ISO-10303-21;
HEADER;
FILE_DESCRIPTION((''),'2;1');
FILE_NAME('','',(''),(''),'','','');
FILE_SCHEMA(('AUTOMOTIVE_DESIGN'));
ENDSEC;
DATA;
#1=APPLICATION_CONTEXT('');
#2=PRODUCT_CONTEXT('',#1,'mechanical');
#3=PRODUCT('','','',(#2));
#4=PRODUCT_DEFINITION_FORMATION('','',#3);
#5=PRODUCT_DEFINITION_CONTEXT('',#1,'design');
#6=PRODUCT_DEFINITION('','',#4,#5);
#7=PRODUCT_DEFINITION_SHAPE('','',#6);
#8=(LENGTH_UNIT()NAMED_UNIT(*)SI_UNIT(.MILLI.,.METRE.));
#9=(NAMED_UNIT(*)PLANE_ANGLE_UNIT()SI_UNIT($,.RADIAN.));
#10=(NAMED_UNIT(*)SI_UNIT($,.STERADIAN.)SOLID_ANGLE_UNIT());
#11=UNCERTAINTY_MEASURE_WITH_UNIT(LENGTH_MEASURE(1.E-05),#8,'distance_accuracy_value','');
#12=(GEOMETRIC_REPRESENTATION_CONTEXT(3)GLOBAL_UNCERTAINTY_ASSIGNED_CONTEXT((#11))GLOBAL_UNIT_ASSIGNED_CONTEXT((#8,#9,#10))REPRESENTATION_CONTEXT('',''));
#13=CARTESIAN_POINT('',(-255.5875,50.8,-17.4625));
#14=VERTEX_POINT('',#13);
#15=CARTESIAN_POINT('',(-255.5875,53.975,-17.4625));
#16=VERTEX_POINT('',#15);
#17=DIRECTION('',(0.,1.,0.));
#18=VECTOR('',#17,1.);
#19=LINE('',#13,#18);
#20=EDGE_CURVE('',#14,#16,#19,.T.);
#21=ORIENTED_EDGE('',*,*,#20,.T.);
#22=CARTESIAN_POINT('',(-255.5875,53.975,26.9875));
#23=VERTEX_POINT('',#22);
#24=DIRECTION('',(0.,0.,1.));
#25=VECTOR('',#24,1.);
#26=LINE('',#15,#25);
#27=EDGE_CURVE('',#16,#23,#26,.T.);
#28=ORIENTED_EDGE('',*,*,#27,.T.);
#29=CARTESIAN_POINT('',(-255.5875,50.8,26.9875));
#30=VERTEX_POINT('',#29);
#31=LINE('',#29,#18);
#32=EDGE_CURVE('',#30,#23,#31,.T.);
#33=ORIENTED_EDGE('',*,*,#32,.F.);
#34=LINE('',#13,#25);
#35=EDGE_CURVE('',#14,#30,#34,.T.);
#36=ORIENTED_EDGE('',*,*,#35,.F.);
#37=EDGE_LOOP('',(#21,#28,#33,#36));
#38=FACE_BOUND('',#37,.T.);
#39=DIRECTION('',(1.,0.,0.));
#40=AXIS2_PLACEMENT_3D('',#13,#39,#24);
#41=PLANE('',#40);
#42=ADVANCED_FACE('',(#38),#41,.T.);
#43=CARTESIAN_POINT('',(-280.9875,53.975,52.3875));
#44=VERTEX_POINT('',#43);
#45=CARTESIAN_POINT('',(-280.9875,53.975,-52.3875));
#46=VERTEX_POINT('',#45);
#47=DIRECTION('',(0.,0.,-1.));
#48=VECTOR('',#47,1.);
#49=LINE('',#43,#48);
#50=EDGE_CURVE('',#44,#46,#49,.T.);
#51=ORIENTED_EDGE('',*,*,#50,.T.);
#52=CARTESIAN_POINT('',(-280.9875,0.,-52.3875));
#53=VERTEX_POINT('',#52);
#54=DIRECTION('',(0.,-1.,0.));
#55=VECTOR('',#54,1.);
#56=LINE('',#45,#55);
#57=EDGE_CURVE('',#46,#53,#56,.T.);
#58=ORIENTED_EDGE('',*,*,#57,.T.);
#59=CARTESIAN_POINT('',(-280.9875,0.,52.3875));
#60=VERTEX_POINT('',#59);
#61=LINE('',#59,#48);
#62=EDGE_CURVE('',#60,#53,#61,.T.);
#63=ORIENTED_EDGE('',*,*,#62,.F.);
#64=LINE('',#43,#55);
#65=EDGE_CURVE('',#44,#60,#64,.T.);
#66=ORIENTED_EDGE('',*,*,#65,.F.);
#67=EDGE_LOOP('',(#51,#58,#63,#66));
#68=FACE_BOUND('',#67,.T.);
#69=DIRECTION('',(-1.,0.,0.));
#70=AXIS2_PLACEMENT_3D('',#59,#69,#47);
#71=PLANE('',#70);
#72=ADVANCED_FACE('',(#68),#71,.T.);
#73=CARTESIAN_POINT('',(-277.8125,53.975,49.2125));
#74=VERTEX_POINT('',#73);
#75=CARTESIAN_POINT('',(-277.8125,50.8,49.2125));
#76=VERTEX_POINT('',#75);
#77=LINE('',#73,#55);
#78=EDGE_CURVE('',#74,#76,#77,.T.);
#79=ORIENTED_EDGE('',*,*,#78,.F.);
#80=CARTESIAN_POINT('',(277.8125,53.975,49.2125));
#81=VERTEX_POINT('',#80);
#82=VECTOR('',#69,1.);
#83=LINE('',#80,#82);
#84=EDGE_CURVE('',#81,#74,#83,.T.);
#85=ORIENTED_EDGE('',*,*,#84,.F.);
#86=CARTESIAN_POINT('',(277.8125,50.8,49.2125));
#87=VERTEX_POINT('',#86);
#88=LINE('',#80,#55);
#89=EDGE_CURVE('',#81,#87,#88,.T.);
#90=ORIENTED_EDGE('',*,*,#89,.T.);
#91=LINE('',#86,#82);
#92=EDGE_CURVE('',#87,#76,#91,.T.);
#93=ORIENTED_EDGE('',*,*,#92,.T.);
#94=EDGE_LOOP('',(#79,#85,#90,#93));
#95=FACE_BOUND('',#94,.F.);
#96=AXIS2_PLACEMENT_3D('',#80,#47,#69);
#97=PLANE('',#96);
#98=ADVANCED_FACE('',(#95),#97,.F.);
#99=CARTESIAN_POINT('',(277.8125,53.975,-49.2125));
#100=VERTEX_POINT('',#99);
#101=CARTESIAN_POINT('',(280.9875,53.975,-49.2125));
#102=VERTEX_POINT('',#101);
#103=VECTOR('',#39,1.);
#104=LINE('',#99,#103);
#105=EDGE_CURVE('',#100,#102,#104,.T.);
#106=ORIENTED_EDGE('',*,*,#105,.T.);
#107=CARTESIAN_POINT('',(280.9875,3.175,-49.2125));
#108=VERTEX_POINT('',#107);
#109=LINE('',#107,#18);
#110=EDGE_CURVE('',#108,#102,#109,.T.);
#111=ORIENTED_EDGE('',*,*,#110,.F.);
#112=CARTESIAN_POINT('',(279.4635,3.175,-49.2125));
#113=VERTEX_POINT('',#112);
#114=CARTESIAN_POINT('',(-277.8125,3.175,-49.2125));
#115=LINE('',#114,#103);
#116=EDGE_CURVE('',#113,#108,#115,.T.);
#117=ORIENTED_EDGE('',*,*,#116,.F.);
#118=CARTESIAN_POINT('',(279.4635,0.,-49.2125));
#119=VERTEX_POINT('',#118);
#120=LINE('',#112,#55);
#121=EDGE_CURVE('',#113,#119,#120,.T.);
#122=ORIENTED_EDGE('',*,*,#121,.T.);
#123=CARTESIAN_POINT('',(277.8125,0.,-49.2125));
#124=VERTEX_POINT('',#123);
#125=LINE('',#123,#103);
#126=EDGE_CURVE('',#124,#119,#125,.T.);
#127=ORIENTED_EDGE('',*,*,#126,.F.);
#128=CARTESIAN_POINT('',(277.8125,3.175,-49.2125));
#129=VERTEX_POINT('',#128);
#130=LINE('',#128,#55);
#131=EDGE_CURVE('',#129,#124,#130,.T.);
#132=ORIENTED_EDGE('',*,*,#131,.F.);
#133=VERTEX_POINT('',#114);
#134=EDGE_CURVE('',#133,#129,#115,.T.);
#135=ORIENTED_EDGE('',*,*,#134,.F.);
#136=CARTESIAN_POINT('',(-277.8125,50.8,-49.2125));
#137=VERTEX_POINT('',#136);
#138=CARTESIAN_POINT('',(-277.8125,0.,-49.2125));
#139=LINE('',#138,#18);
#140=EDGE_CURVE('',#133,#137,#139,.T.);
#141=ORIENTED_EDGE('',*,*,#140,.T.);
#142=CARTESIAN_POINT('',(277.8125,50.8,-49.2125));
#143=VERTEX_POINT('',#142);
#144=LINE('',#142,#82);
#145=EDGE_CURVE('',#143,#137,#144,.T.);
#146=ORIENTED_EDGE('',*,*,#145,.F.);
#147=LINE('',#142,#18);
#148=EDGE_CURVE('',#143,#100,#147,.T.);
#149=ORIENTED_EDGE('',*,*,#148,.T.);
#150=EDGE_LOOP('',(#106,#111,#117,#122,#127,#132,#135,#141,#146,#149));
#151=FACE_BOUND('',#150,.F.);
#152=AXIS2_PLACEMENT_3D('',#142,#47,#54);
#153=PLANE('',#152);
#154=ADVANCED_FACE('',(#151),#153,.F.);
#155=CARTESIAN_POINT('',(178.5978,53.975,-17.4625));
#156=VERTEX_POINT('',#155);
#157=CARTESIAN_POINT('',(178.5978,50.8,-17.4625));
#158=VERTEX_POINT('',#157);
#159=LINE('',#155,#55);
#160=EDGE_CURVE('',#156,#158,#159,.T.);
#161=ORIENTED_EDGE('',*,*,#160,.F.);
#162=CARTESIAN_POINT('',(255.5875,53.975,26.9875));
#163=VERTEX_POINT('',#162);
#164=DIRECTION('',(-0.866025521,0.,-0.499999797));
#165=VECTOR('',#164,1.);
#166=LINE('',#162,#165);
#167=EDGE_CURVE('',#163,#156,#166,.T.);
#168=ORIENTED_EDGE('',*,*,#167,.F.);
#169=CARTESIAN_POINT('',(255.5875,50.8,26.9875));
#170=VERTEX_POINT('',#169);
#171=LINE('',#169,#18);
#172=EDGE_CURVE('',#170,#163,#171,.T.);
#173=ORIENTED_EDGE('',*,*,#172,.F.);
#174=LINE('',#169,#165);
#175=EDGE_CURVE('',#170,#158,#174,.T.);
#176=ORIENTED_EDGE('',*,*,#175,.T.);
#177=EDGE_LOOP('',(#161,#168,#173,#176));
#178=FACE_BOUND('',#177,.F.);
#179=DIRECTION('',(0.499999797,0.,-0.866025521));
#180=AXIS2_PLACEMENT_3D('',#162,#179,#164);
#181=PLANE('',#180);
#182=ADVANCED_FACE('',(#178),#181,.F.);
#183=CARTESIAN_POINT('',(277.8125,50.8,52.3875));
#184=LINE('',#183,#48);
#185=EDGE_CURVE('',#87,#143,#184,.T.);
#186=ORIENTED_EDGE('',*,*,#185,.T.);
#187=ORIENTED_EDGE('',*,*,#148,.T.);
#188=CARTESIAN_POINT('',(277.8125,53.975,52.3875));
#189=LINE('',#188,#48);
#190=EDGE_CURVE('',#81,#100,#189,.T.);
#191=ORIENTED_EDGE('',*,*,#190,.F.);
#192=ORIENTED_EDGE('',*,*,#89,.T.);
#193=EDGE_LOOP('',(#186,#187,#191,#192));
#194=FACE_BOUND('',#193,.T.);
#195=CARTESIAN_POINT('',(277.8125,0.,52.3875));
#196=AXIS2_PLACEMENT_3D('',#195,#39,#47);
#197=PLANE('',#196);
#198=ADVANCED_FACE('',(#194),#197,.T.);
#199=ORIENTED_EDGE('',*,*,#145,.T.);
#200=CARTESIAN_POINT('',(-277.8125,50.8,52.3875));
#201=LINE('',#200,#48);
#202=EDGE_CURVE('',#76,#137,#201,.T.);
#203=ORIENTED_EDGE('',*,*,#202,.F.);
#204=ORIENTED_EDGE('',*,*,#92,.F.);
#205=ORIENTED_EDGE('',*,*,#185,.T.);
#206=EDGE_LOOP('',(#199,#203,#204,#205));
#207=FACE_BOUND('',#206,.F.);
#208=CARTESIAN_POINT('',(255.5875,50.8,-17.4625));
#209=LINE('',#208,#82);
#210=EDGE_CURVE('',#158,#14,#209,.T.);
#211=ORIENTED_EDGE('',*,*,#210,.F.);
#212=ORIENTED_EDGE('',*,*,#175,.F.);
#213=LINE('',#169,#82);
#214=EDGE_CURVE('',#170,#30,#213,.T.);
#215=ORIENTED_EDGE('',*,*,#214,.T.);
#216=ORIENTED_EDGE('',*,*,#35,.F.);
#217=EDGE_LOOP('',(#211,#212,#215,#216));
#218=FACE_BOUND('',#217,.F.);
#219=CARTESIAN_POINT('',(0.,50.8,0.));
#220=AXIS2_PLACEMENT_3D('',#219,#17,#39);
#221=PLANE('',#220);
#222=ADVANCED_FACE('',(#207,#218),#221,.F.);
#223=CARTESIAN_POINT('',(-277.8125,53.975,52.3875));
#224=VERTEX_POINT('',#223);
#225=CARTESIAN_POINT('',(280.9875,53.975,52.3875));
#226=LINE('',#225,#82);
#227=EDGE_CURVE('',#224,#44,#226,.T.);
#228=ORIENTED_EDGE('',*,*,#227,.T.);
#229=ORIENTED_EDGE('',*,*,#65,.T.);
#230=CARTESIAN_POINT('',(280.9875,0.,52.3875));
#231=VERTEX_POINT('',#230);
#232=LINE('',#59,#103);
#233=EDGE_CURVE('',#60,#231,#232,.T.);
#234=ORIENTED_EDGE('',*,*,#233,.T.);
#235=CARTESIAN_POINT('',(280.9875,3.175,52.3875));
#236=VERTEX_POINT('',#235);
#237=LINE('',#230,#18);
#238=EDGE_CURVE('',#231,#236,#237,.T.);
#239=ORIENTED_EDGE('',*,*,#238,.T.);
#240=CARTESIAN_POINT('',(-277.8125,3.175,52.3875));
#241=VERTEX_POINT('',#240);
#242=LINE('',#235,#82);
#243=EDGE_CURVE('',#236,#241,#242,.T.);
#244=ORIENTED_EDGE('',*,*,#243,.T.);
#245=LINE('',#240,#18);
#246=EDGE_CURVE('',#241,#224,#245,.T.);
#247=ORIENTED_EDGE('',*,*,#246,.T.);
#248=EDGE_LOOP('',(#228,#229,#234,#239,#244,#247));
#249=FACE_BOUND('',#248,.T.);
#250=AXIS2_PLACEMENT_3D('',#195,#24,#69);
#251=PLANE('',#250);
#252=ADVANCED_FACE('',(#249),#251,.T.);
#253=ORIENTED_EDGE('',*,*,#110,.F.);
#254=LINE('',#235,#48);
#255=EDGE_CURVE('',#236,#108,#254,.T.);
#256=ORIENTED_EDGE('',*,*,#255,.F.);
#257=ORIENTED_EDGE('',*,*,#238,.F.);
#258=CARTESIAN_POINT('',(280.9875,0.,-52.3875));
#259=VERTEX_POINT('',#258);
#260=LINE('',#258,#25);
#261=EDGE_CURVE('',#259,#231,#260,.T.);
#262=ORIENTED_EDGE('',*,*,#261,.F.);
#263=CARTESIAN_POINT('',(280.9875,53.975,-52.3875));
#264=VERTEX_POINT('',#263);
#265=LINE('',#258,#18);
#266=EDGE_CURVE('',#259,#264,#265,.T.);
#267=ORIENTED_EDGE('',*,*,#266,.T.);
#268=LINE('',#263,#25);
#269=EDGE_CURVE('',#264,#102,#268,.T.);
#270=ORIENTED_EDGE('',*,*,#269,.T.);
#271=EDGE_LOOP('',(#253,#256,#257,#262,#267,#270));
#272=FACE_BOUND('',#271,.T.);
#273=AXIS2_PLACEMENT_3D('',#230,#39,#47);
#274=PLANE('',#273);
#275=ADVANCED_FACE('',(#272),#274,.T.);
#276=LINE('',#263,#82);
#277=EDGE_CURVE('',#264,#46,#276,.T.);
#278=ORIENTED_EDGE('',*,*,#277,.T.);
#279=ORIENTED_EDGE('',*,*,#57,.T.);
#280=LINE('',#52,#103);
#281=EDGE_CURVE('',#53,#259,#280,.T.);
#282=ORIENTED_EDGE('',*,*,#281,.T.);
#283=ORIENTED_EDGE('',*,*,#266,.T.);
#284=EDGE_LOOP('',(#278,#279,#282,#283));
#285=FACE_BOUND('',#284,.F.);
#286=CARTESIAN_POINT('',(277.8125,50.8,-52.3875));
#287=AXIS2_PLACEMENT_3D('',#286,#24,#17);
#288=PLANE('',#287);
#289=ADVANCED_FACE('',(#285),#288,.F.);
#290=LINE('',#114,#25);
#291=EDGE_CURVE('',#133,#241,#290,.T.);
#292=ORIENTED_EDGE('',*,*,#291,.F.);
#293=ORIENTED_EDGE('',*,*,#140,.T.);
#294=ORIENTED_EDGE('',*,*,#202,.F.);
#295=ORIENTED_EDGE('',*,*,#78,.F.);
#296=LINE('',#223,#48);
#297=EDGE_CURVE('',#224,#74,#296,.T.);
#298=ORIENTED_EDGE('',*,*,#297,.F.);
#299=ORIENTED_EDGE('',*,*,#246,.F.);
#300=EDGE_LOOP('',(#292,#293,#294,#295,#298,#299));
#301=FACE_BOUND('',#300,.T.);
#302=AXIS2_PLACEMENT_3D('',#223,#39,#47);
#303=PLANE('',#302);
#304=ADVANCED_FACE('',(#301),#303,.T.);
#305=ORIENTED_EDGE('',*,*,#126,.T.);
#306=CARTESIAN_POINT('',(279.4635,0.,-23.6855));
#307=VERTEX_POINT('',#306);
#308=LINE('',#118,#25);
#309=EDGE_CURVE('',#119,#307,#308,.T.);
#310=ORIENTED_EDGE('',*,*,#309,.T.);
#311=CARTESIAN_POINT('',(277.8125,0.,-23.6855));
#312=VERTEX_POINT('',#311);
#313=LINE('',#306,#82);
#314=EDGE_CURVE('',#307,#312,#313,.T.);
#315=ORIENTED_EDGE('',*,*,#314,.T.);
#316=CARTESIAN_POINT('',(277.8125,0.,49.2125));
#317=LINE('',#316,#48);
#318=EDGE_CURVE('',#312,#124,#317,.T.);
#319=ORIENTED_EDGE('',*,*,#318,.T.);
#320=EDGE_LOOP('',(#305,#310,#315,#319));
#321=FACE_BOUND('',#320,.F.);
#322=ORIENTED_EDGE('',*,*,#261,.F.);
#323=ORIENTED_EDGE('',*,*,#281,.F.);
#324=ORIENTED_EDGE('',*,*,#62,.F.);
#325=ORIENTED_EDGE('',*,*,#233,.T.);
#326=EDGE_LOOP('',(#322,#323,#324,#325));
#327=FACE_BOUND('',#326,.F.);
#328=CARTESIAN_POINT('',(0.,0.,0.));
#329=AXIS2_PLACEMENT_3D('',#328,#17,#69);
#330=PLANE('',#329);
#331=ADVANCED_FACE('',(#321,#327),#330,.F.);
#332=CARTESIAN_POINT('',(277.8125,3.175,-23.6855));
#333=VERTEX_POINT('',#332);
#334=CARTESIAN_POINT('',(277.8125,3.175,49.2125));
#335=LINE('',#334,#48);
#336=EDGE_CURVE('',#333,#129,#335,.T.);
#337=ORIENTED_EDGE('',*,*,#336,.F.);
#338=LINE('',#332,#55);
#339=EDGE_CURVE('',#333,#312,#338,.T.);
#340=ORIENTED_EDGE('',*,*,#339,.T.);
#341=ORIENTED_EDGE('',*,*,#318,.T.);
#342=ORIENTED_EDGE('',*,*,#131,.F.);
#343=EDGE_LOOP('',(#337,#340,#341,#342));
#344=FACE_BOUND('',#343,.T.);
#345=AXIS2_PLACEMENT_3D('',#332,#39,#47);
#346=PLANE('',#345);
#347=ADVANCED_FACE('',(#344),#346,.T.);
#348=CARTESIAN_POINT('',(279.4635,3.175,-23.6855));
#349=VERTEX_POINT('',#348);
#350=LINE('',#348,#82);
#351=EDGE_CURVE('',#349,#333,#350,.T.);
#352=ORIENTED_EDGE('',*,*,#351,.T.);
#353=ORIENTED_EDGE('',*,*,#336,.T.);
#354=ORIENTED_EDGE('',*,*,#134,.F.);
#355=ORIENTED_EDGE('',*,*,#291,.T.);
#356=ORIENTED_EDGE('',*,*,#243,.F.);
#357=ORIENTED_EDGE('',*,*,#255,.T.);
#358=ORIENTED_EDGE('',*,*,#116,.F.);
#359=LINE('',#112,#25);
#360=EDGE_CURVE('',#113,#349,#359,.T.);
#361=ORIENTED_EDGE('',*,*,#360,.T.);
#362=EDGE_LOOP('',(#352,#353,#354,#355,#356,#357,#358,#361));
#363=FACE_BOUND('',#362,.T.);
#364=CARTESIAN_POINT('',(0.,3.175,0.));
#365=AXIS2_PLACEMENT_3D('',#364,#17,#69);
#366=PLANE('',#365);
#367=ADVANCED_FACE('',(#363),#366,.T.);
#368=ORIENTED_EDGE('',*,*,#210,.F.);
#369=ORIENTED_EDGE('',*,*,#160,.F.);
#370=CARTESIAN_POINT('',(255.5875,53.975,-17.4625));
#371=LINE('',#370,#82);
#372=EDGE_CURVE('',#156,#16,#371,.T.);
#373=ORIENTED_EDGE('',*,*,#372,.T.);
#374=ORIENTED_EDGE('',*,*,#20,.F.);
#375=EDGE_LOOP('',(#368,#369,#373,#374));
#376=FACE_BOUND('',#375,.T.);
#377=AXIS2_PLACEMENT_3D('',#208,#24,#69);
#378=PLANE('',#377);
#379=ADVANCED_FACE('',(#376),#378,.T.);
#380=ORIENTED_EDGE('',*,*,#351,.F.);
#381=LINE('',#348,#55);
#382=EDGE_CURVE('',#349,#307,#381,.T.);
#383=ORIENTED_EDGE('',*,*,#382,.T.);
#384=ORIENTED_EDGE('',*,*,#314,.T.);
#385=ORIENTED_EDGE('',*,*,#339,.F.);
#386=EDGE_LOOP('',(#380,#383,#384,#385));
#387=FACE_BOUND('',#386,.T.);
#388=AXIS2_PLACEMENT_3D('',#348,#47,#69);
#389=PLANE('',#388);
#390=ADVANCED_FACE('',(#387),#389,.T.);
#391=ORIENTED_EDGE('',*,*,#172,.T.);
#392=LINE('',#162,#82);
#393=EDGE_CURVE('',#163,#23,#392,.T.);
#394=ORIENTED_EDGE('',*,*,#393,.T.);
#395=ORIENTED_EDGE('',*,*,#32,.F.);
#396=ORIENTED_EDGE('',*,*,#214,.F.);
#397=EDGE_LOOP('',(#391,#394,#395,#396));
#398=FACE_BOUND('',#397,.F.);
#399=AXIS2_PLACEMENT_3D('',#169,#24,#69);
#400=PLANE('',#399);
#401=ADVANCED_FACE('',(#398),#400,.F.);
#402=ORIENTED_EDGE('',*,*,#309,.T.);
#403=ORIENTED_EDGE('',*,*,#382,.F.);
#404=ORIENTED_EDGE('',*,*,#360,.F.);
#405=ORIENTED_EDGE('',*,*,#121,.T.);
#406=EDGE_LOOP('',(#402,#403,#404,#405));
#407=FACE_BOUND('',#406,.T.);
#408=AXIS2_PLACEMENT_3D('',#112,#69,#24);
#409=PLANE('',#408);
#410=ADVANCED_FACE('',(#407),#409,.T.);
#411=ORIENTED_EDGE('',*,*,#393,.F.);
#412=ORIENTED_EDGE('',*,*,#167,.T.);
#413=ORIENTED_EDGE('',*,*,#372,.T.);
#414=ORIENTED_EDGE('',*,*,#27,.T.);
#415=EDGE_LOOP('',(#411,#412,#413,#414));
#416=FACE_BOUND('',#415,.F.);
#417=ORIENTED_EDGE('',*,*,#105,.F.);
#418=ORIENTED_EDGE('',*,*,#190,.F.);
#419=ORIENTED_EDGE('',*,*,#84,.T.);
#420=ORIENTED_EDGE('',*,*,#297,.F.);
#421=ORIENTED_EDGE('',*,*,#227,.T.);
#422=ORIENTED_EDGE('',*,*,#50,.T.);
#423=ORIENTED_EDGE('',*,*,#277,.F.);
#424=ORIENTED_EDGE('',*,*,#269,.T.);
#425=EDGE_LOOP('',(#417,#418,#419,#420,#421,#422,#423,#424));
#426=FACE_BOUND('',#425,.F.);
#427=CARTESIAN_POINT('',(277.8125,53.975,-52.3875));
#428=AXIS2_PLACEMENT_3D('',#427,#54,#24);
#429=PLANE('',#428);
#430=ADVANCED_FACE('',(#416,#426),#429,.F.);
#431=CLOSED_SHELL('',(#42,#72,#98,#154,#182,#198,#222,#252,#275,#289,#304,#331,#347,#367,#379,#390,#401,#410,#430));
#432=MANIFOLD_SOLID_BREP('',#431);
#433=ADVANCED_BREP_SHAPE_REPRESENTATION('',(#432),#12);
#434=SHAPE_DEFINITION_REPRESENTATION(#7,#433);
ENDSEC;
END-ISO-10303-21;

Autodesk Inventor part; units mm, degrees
ref_plane "YZ Plane" through (0, 0, 0) normal (1, 0, 0) x (0, 1, 0)
ref_plane "XZ Plane" through (0, 0, 0) normal (0, 1, 0) x (-1, 0, 0)
ref_plane "XY Plane" through (0, 0, 0) normal (0, 0, 1) x (1, 0, 0)
sketch "Sketch1" plane through (0, 0, 0) normal (0, 1, 0) x (-1, 0, 0)
  line L0 (-280.9875, -52.3875) -> (-280.9875, 52.3875)
  line L1 (-280.9875, 52.3875) -> (280.9875, 52.3875)
  line L2 (280.9875, 52.3875) -> (280.9875, -52.3875)
  line L3 (280.9875, -52.3875) -> (-280.9875, -52.3875)
  line L4 (-280.9875, -52.3875) -> (280.9875, 52.3875) construction
  line L5 (-280.9875, 52.3875) -> (280.9875, -52.3875) construction
  line L6 (0, -52.3875) -> (0, -17.4625) construction
  line L7 (-277.8125, -49.2125) -> (277.8125, -49.2125)
  line L8 (277.8125, -49.2125) -> (277.8125, 49.2125)
  line L9 (277.8125, 49.2125) -> (-277.8125, 49.2125) construction
  line L10 (-277.8125, 49.2125) -> (-277.8125, -49.2125)
  line L11 (-277.8125, -49.2125) -> (277.8125, 49.2125) construction
  line L12 (277.8125, -49.2125) -> (-277.8125, 49.2125) construction
  line L13 (277.8125, 49.2125) -> (277.8125, 52.3875)
  line L14 (-277.8125, 49.2125) -> (-277.8125, 52.3875)
  point P0 (0, 0)
  dimension "d0" = 104.775
  dimension "d1" = 561.975
  dimension "d2" = 34.925
  dimension "d3" = 555.625
  dimension "d4" = 98.425
extrude "Extrusion1" add sketch "Sketch1" along normal blind 3.175 contours L1 L13 L8 L7 L10 L14
extrude "Extrusion2" add sketch "Sketch1" along normal blind 50.8 contours L0 L1 L14 L10 L7 L8 L13 L2 L3
sketch "Sketch2" plane through (0, 50.8, 0) normal (0, 1, 0) x (1, 0, 0)
  line L0 (-280.9875, -52.3875) -> (-277.8125, -52.3875) projected
  line L1 (-280.9875, -52.3875) -> (255.5875, -52.3875)
  line L2 (280.9875, -52.3875) -> (280.9875, -26.9875)
  line L3 (-280.9875, -26.9875) -> (-280.9875, -52.3875)
  line L4 (-280.9875, 52.3875) -> (-280.9875, -52.3875) projected
  line L5 (-280.9875, 52.3875) -> (255.5875, 52.3875)
  line L6 (280.9875, 52.3875) -> (280.9875, 17.4625)
  line L7 (-280.9875, 17.4625) -> (-280.9875, 52.3875)
  line L8 (-280.9875, 52.3875) -> (-255.5875, 52.3875)
  line L9 (-255.5875, -52.3875) -> (-280.9875, -52.3875)
  line L10 (-280.9875, -52.3875) -> (-280.9875, -26.9875)
  line L11 (-277.8125, -52.3875) -> (277.8125, -52.3875) projected
  line L12 (280.9875, 52.3875) -> (255.5875, 52.3875)
  line L13 (255.5875, -52.3875) -> (280.9875, -52.3875)
  line L14 (280.9875, -52.3875) -> (280.9875, 17.4625)
  line L15 (255.5875, 17.4625) -> (255.5875, -26.9875)
  line L16 (255.5875, 17.4625) -> (-255.5875, 17.4625)
  line L17 (255.5875, 52.3875) -> (280.9875, 52.3875)
  line L18 (280.9875, 17.4625) -> (280.9875, 52.3875)
  line L19 (255.5875, -26.9875) -> (-255.5875, -26.9875)
  line L20 (255.5875, -52.3875) -> (280.9875, -52.3875)
  line L21 (-255.5875, 17.4625) -> (-255.5875, -26.9875)
  line L22 (-280.9875, 17.4625) -> (-280.9875, 52.3875)
  line L23 (-280.9875, -26.9875) -> (-280.9875, 17.4625)
  line L24 (-277.8125, -52.3875) -> (-277.8125, 49.2125) construction
  line L25 (-277.8125, -52.3875) -> (-277.8125, -49.2125) construction
  line L26 (-277.8125, -49.2125) -> (277.8125, -49.2125)
  line L27 (-277.8125, -49.2125) -> (-277.8125, -52.3875)
  line L28 (277.8125, -49.2125) -> (277.8125, -52.3875)
  point P0 (0, 0)
  dimension "d9" = 561.975
  dimension "d10" = 25.4
  dimension "d11" = 561.975
  dimension "d12" = 34.925
  dimension "d13" = 25.4
  dimension "d14" = 104.775
  dimension "d15" = 25.4
  dimension "d18" = 3.175
  dimension "d19" = 555.625
extrude "Extrusion3" add sketch "Sketch2" along normal blind 3.175
sketch "Sketch3" plane through (0, 53.975, 0) normal (0, 1, 0) x (1, 0, 0)
  line L0 (-277.8125, -52.3875) -> (-277.8125, 49.2125) projected
  line L1 (-277.8125, -52.3875) -> (277.8125, -52.3875)
  line L2 (277.8125, -52.3875) -> (277.8125, -49.2125)
  line L3 (277.8125, -49.2125) -> (-277.8125, -49.2125)
  line L4 (-277.8125, -49.2125) -> (-277.8125, -52.3875)
  point P0 (0, 0)
  dimension "d20" = 555.625
  dimension "d21" = 3.175
extrude "Extrusion4" cut sketch "Sketch3" against normal blind 3.175
sketch "Sketch4" plane through (280.9875, 0, 52.3875) normal (1, 0, 0) x (0, 0, -1)
  line L0 (3.175, 53.975) -> (0, 53.975) projected
  line L1 (0, 53.975) -> (104.775, 53.975)
  line L2 (104.775, 53.975) -> (104.775, 0)
  line L3 (0, 0) -> (0, 53.975)
  line L4 (52.3875, 0) -> (52.3875, 3.175) construction
  line L5 (0, 3.175) -> (101.6, 3.175) construction
  line L6 (0, 3.175) -> (104.775, 3.175)
  line L7 (104.775, 0) -> (104.775, 53.975) projected
extrude "Extrusion5" cut sketch "Sketch4" against normal blind 3.175
sketch "Sketch5" plane through (0, 53.975, 0) normal (0, 1, 0) x (1, 0, 0)
  line L0 (255.5875, -26.9875) -> (255.5875, 17.4625) projected
  line L1 (255.5875, -26.9875) -> (178.5978, 17.4625)
  line L2 (255.5875, 17.4625) -> (-255.5875, 17.4625) projected
  line L3 (255.5875, -26.9875) -> (344.4875, -26.9875) construction
  line L4 (178.5978, 17.4625) -> (255.5875, 17.4625)
  point P0 (0, 0)
  dimension "d26" = 150
extrude "Extrusion6" add sketch "Sketch5" against normal blind 3.175
sketch "Sketch6" plane through (277.8125, 0, 52.3875) normal (1, 0, 0) x (0, 0, -1)
  line L0 (104.775, 0) -> (104.775, 53.975) projected
  line L1 (104.775, 50.8) -> (104.775, 53.975)
  line L2 (104.775, 53.975) -> (101.6, 53.975)
  line L3 (101.6, 3.175) -> (104.775, 3.175)
  line L4 (104.775, 3.175) -> (104.775, 50.8)
  line L5 (101.6, 50.8) -> (101.6, 3.175)
  line L6 (101.6, 50.8) -> (101.6, 53.975)
  point P0 (52.3875, 0)
  point P1 (3.175, 50.8)
extrude "Extrusion7" add sketch "Sketch6" along normal blind 3.175
sketch "Sketch8" plane through (0, 3.175, 0) normal (0, 1, 0) x (1, 0, 0)
  line L0 (277.8125, -49.2125) -> (277.8125, 49.2125) projected
  line L1 (277.8125, 49.2125) -> (279.4635, 49.2125)
  line L2 (279.4635, 49.2125) -> (279.4635, 23.6855)
  line L3 (279.4635, 23.6855) -> (277.8125, 23.6855)
  line L4 (277.8125, 23.6855) -> (277.8125, 49.2125)
  point P0 (0, 0)
  dimension "d36" = 1.651
  dimension "d37" = 25.527
extrude "Extrusion9" cut sketch "Sketch8" against normal blind 3.175
properties part number "Wire Housing No Support Struct vglue"
